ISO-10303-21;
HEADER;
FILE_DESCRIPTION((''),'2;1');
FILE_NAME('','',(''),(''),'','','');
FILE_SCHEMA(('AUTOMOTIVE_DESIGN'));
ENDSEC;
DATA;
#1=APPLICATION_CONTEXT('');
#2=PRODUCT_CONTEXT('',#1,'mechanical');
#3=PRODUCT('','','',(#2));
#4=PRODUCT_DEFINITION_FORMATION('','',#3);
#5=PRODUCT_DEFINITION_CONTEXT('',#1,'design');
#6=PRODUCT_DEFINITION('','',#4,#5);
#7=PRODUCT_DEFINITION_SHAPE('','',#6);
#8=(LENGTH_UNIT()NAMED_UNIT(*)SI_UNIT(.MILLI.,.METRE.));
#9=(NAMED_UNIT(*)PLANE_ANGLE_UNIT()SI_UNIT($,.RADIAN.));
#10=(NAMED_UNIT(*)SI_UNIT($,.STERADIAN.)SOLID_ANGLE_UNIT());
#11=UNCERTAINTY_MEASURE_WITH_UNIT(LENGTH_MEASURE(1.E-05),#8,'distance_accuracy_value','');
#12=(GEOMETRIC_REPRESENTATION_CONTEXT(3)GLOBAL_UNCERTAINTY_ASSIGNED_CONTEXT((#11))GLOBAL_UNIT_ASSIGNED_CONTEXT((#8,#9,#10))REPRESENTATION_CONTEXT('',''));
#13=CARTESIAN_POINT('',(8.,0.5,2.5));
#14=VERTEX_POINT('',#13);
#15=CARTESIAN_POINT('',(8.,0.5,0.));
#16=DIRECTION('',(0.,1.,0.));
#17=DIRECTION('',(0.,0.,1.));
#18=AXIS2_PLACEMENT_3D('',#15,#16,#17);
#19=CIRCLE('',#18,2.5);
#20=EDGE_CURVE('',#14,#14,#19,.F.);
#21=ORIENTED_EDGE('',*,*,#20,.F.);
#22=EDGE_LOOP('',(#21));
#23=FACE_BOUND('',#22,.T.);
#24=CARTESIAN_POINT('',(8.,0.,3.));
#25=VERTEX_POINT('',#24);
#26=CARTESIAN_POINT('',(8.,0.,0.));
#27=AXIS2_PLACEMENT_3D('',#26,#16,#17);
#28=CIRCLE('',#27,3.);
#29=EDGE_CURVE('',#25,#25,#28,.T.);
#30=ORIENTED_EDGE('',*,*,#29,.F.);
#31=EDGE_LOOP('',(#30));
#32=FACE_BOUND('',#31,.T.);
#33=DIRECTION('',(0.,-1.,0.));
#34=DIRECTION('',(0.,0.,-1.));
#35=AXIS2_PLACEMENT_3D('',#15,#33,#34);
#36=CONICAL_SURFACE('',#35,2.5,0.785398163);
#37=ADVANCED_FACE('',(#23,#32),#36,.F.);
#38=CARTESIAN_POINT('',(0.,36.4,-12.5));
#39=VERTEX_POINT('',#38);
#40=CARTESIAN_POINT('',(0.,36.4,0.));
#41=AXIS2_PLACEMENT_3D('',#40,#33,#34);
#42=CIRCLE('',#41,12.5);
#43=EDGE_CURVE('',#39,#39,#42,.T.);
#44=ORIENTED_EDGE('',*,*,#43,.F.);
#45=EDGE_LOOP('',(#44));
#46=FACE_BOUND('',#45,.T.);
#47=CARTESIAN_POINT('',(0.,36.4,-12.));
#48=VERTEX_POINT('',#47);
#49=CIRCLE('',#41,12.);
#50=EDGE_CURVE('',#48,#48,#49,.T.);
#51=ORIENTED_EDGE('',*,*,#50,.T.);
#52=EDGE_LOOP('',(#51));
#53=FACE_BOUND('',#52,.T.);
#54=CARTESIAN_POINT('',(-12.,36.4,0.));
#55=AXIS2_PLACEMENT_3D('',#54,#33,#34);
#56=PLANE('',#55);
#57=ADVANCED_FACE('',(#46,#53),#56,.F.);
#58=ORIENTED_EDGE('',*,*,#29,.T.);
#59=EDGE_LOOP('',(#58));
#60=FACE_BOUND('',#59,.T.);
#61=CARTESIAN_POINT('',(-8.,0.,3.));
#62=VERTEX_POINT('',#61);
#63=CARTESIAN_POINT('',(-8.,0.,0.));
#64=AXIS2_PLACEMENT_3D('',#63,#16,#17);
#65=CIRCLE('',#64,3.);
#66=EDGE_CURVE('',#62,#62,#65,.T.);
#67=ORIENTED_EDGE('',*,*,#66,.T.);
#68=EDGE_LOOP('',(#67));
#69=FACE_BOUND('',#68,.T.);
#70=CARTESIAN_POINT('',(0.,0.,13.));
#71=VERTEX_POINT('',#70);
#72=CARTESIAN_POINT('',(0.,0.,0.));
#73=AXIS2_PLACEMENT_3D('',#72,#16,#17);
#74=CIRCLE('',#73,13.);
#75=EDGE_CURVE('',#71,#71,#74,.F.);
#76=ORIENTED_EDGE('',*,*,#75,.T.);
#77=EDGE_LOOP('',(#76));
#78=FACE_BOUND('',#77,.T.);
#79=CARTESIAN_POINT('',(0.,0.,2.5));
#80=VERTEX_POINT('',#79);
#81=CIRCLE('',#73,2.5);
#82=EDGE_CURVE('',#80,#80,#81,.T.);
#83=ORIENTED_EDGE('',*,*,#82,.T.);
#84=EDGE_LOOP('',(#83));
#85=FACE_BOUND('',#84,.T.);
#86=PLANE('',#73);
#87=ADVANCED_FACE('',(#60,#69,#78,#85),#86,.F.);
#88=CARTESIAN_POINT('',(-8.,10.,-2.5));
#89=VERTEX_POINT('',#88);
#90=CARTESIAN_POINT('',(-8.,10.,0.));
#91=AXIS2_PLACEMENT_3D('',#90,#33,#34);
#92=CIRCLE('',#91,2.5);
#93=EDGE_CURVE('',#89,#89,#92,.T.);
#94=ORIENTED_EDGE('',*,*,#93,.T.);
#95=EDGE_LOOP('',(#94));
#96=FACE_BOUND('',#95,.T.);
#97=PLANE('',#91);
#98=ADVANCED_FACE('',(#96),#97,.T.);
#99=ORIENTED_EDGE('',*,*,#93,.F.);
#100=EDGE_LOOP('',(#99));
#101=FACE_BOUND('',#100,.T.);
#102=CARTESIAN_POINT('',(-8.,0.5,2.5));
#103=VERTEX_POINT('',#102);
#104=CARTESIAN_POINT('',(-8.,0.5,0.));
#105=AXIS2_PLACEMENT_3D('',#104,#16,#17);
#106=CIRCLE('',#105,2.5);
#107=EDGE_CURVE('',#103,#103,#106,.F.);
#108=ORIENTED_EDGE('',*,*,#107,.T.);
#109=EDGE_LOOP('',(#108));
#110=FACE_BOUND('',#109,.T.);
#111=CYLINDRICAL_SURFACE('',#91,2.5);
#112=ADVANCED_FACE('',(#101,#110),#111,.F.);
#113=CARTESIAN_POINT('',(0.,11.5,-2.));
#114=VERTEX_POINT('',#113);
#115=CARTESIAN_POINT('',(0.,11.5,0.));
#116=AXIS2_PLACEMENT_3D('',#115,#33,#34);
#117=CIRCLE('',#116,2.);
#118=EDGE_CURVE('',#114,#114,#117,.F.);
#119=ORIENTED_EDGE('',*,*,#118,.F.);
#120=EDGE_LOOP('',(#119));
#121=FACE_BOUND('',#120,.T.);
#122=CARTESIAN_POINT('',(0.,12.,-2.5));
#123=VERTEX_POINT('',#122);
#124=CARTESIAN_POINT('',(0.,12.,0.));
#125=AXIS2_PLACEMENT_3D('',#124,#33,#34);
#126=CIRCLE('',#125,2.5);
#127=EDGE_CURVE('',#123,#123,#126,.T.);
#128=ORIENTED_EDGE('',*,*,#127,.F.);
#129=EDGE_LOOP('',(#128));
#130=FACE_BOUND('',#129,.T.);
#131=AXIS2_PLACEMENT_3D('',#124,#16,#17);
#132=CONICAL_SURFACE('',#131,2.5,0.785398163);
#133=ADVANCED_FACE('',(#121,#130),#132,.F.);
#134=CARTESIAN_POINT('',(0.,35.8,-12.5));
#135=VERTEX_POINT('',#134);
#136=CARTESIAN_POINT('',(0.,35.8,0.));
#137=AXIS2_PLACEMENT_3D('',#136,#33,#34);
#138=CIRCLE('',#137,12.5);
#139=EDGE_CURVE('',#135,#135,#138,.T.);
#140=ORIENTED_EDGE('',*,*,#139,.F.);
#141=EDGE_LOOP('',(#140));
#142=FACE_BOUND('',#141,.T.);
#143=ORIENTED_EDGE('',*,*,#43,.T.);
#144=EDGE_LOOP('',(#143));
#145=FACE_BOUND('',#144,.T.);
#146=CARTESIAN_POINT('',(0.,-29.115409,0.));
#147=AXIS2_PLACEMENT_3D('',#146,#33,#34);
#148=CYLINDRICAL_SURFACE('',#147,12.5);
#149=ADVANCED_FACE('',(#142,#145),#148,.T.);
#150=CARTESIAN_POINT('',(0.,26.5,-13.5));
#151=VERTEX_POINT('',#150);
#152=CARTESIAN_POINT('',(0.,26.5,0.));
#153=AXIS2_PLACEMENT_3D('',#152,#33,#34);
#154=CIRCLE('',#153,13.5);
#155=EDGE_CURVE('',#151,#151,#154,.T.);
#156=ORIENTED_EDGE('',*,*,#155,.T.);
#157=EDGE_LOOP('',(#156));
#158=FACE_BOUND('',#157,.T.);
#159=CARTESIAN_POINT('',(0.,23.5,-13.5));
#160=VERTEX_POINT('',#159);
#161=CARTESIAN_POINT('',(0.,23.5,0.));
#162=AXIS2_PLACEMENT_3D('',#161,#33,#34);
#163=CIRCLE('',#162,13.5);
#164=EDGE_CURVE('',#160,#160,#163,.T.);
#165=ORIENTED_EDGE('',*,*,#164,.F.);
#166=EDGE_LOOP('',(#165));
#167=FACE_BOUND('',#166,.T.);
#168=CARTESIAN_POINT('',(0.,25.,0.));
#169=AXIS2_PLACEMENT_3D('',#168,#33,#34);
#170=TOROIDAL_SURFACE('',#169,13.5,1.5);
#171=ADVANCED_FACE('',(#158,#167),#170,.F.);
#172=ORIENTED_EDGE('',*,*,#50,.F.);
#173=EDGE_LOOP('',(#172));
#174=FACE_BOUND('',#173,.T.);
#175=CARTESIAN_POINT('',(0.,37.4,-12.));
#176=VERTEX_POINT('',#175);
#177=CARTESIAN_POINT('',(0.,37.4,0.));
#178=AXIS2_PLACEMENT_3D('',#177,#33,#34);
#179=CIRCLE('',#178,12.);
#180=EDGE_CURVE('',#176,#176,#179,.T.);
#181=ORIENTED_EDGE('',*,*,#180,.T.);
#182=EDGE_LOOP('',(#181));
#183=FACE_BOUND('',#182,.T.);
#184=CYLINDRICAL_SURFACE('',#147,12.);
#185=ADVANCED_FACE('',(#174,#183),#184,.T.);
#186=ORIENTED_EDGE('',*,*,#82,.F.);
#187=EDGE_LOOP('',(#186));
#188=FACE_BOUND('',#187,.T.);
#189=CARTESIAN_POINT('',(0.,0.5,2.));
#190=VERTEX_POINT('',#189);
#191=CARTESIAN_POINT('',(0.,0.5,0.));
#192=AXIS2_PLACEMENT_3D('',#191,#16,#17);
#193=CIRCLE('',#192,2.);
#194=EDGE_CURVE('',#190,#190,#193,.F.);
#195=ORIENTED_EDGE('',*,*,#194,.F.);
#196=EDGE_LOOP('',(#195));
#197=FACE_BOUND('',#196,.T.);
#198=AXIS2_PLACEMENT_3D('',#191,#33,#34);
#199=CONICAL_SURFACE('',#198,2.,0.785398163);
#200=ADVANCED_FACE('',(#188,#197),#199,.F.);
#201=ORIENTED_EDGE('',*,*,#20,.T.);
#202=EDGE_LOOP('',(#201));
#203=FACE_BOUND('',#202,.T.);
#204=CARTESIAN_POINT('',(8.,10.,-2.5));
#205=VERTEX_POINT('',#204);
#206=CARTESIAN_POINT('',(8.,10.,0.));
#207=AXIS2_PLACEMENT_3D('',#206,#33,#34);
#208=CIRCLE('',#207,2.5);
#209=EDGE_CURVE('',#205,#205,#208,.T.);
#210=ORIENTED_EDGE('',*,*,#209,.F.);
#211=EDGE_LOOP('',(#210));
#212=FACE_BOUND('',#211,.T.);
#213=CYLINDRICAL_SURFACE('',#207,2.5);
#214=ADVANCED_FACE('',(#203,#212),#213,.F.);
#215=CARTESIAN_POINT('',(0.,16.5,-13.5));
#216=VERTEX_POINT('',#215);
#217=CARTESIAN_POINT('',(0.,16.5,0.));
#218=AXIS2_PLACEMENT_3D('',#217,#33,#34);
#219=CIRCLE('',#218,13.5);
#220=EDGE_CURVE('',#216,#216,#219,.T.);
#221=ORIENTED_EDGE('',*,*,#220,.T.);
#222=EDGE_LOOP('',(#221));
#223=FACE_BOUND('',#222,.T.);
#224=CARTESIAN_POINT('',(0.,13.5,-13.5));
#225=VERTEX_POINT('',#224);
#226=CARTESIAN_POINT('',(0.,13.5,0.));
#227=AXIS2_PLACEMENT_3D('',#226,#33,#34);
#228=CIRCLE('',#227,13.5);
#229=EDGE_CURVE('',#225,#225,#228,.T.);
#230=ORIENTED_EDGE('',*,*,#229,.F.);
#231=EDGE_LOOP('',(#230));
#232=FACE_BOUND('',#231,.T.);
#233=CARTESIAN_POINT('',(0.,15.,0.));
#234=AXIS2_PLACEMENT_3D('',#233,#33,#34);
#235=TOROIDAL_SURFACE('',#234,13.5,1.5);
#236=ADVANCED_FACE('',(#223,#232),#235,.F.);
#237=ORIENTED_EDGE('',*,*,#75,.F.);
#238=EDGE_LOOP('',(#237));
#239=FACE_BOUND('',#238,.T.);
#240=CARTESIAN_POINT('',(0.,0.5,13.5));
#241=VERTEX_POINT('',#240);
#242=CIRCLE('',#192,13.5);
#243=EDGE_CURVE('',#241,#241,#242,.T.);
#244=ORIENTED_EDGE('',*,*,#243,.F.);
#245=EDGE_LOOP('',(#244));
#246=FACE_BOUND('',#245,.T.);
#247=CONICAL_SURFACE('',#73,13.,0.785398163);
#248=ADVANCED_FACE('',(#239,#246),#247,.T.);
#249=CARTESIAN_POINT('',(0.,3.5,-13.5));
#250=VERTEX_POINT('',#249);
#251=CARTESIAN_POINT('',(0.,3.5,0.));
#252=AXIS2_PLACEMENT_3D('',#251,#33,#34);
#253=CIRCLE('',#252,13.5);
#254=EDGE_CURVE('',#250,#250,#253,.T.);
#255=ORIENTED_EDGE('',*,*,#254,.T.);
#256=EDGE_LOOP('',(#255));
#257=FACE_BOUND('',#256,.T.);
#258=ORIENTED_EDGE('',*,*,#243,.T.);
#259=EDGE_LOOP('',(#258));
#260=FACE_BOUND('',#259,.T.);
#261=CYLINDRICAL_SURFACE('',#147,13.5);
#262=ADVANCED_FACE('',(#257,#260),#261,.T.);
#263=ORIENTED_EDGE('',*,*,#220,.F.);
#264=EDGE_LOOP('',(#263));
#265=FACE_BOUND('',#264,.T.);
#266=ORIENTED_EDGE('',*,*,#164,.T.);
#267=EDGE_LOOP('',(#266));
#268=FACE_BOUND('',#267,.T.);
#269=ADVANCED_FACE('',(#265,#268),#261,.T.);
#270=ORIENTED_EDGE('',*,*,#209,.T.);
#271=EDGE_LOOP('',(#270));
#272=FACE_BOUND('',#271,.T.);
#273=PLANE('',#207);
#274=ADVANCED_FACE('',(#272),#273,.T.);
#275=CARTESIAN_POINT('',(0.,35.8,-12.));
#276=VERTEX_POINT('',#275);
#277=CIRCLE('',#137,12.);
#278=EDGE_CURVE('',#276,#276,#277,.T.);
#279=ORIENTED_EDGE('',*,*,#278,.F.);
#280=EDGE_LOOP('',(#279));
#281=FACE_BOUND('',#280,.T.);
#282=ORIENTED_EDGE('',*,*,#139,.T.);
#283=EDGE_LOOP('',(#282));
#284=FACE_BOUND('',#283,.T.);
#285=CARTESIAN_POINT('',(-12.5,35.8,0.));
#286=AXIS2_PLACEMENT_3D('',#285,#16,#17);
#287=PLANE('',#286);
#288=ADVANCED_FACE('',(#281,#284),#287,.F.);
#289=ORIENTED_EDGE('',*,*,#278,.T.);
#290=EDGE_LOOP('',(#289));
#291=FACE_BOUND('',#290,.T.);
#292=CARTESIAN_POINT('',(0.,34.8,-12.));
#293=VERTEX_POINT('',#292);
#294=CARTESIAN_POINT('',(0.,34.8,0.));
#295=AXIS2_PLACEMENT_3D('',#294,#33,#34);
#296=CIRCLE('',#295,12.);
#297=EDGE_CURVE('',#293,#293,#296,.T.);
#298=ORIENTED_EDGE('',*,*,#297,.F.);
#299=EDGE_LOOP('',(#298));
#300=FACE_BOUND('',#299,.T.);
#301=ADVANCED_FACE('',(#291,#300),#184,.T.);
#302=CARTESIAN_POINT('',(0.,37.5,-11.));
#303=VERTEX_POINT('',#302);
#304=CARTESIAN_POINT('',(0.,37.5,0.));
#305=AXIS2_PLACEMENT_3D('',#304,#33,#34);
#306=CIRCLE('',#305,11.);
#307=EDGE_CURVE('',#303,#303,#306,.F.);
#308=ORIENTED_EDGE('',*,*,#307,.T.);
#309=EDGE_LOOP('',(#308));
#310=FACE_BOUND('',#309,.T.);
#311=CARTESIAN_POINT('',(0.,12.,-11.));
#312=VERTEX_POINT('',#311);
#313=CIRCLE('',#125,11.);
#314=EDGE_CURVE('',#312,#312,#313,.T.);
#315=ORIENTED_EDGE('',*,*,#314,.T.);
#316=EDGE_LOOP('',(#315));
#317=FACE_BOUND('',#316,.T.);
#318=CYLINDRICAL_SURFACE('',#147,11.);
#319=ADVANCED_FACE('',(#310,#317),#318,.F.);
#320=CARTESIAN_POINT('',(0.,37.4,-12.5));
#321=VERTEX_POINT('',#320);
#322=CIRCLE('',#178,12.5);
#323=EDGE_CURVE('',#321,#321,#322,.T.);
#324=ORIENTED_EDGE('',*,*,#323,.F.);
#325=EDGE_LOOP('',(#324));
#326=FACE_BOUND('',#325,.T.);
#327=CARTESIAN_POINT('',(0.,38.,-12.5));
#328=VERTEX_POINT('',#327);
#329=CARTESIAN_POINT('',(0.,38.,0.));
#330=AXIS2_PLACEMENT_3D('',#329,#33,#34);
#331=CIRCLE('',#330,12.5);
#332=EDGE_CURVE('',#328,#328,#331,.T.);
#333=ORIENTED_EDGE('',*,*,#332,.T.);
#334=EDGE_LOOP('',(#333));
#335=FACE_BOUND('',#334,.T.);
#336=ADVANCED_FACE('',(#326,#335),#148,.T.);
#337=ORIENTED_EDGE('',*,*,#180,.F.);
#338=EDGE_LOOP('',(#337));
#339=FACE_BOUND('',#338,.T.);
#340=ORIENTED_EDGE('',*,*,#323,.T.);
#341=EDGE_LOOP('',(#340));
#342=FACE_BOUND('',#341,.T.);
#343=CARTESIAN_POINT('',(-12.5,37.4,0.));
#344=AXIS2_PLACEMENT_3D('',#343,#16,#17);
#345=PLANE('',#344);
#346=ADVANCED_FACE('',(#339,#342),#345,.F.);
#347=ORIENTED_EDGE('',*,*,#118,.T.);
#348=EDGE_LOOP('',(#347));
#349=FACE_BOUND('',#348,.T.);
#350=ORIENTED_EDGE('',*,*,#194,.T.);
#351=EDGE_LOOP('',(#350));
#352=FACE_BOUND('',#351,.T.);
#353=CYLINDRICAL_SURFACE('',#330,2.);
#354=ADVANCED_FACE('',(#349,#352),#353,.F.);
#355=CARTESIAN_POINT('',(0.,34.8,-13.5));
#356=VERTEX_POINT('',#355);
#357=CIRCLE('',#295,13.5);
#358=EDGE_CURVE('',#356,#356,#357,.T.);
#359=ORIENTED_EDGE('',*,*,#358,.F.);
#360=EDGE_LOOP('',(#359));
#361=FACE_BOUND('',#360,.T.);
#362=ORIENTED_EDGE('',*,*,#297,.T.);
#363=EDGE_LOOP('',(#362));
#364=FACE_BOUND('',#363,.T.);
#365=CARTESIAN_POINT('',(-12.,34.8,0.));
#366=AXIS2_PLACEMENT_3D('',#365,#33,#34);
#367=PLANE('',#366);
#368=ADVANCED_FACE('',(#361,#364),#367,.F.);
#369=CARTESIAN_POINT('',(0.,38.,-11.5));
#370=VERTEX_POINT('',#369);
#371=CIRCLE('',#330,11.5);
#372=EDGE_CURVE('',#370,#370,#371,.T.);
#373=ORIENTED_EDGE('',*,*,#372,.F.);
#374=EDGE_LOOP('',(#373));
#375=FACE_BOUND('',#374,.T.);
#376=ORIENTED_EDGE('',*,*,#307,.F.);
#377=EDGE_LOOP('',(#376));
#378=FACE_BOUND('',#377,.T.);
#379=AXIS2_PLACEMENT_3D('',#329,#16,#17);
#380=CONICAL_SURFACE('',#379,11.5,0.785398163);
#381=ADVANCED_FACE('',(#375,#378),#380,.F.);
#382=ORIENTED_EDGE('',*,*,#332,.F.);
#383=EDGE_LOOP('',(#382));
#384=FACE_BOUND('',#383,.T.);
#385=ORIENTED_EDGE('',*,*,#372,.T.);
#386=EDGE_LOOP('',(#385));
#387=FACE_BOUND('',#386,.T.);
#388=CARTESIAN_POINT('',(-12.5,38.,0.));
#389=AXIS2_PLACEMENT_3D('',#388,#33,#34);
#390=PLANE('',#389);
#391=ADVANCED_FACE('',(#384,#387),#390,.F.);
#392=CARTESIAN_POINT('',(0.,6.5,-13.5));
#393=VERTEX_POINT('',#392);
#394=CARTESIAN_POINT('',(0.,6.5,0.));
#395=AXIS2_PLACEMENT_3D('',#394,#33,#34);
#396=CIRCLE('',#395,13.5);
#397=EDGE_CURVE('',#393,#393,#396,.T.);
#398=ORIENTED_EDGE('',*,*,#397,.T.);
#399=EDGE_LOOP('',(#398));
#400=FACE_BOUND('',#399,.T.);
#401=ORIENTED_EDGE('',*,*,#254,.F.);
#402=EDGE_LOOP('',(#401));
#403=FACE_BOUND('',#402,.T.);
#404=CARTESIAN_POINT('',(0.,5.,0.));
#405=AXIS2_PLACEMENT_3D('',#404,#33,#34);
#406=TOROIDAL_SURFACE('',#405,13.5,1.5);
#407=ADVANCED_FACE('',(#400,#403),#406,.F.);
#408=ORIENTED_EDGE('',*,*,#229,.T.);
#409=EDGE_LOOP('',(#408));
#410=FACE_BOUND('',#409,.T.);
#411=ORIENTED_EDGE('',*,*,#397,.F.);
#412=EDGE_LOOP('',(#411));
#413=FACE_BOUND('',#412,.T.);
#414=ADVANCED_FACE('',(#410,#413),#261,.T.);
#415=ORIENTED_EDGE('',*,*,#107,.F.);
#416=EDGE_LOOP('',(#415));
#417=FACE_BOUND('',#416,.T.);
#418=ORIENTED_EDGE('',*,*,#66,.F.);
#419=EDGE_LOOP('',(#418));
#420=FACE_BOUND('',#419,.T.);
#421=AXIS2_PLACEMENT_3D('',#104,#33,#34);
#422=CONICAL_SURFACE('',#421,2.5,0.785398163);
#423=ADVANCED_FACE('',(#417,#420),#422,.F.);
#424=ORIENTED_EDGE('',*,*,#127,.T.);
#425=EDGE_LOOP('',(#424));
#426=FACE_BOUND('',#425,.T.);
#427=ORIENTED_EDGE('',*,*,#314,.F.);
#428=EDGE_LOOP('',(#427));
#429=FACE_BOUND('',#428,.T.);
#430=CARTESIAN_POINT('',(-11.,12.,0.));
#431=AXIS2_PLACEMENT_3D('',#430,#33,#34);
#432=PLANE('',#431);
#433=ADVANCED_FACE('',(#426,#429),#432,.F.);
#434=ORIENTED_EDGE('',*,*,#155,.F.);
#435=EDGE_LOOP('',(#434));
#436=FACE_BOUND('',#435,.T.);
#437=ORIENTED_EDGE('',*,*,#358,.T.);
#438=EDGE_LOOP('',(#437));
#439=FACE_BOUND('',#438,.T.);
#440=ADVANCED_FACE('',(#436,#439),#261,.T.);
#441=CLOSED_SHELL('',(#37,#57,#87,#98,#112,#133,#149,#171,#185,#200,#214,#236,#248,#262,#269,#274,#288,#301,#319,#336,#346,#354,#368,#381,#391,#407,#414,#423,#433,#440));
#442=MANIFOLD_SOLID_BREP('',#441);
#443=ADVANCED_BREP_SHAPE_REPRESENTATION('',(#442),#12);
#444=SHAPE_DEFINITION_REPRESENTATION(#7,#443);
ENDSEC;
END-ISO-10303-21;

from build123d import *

# Parameters (mm, degrees)
ESQUISSE2_R             = 2.5
ENL_V_MAT_EXTRU_1_DEPTH = 10
ESQUISSE4_R             = 2
ENL_V_MAT_EXTRU_3_DEPTH = 43.52646235
CHANFREIN4_SIZE         = 0.5
CHANFREIN2_SIZE         = 0.5
CHANFREIN3_SIZE         = 0.5


with BuildPart() as part:
    # Esquisse1 → Révolution1 (revolve)
    with BuildSketch(Plane.XY, mode=Mode.PRIVATE) as r_volution1_sk:
        with BuildLine():
            Line((0, 0), (-13.5, 0))
            Line((-13.5, 0), (-13.5, 3.5))
            ThreePointArc((-13.5, 3.5), (-12, 5), (-13.5, 6.5))
            Line((-13.5, 6.5), (-13.5, 13.5))
            ThreePointArc((-13.5, 13.5), (-12, 15), (-13.5, 16.5))
            Line((-13.5, 16.5), (-13.5, 23.5))
            ThreePointArc((-13.5, 23.5), (-12, 25), (-13.5, 26.5))
            Line((-13.5, 26.5), (-13.5, 34.8))
            Line((-13.5, 34.8), (-12.5, 34.8))
            Line((-12.5, 34.8), (-12, 34.8))
            Line((-12, 34.8), (-12, 35.8))
            Line((-12, 35.8), (-12.5, 35.8))
            Line((-12.5, 35.8), (-12.5, 36.4))
            Line((-12.5, 36.4), (-12, 36.4))
            Line((-12, 36.4), (-12, 37.4))
            Line((-12, 37.4), (-12.5, 37.4))
            Line((-12.5, 37.4), (-12.5, 38))
            Line((-12.5, 38), (-11, 38))
            Line((-11, 38), (-11, 33))
            Line((-11, 33), (-11, 12))
            Line((-11, 12), (0, 12))
            Line((0, 12), (0, 3))
            Line((0, 3), (0, 0))
        make_face()
    revolve(r_volution1_sk.sketch.rotate(Axis((0, -29.115408637, 0), (0, 1, 0)), 270), axis=Axis((0, -29.115408637, 0), (0, 1, 0)))

    # Esquisse2 → Enlèv. mat.-Extru.1 (cut)
    with BuildSketch(Plane.XZ):
        with Locations(Location((8, 0, 0), (0, 0, 270))):
            Circle(ESQUISSE2_R)
        with Locations(Location((-8, 0, 0), (0, 0, 270))):
            Circle(ESQUISSE2_R)
    extrude(amount=-ENL_V_MAT_EXTRU_1_DEPTH, mode=Mode.SUBTRACT)

    # Esquisse4 → Enlèv. mat.-Extru.3 (cut, through all)
    with BuildSketch(Plane.XZ):
        with Locations(Location((0, 0, 0), (0, 0, 270))):
            Circle(ESQUISSE4_R)
    extrude(amount=-ENL_V_MAT_EXTRU_3_DEPTH, mode=Mode.SUBTRACT)

    # Chanfrein4
    chanfrein4_edges = [part.edges().sort_by_distance(p)[0] for p in [
        (0, 12, 2),
        (0, 0, 2),
    ]]
    chamfer(chanfrein4_edges, length=CHANFREIN4_SIZE)

    # Chanfrein2
    chanfrein2_edges = [part.edges().sort_by_distance(p)[0] for p in [
        (8, 0, 2.5),
        (-8, 0, 2.5),
    ]]
    chamfer(chanfrein2_edges, length=CHANFREIN2_SIZE)

    # Chanfrein3
    chanfrein3_edges = [part.edges().sort_by_distance(p)[0] for p in [
        (0, 38, 11),
        (0, 0, 13.5),
    ]]
    chamfer(chanfrein3_edges, length=CHANFREIN3_SIZE)


solid = part.part
